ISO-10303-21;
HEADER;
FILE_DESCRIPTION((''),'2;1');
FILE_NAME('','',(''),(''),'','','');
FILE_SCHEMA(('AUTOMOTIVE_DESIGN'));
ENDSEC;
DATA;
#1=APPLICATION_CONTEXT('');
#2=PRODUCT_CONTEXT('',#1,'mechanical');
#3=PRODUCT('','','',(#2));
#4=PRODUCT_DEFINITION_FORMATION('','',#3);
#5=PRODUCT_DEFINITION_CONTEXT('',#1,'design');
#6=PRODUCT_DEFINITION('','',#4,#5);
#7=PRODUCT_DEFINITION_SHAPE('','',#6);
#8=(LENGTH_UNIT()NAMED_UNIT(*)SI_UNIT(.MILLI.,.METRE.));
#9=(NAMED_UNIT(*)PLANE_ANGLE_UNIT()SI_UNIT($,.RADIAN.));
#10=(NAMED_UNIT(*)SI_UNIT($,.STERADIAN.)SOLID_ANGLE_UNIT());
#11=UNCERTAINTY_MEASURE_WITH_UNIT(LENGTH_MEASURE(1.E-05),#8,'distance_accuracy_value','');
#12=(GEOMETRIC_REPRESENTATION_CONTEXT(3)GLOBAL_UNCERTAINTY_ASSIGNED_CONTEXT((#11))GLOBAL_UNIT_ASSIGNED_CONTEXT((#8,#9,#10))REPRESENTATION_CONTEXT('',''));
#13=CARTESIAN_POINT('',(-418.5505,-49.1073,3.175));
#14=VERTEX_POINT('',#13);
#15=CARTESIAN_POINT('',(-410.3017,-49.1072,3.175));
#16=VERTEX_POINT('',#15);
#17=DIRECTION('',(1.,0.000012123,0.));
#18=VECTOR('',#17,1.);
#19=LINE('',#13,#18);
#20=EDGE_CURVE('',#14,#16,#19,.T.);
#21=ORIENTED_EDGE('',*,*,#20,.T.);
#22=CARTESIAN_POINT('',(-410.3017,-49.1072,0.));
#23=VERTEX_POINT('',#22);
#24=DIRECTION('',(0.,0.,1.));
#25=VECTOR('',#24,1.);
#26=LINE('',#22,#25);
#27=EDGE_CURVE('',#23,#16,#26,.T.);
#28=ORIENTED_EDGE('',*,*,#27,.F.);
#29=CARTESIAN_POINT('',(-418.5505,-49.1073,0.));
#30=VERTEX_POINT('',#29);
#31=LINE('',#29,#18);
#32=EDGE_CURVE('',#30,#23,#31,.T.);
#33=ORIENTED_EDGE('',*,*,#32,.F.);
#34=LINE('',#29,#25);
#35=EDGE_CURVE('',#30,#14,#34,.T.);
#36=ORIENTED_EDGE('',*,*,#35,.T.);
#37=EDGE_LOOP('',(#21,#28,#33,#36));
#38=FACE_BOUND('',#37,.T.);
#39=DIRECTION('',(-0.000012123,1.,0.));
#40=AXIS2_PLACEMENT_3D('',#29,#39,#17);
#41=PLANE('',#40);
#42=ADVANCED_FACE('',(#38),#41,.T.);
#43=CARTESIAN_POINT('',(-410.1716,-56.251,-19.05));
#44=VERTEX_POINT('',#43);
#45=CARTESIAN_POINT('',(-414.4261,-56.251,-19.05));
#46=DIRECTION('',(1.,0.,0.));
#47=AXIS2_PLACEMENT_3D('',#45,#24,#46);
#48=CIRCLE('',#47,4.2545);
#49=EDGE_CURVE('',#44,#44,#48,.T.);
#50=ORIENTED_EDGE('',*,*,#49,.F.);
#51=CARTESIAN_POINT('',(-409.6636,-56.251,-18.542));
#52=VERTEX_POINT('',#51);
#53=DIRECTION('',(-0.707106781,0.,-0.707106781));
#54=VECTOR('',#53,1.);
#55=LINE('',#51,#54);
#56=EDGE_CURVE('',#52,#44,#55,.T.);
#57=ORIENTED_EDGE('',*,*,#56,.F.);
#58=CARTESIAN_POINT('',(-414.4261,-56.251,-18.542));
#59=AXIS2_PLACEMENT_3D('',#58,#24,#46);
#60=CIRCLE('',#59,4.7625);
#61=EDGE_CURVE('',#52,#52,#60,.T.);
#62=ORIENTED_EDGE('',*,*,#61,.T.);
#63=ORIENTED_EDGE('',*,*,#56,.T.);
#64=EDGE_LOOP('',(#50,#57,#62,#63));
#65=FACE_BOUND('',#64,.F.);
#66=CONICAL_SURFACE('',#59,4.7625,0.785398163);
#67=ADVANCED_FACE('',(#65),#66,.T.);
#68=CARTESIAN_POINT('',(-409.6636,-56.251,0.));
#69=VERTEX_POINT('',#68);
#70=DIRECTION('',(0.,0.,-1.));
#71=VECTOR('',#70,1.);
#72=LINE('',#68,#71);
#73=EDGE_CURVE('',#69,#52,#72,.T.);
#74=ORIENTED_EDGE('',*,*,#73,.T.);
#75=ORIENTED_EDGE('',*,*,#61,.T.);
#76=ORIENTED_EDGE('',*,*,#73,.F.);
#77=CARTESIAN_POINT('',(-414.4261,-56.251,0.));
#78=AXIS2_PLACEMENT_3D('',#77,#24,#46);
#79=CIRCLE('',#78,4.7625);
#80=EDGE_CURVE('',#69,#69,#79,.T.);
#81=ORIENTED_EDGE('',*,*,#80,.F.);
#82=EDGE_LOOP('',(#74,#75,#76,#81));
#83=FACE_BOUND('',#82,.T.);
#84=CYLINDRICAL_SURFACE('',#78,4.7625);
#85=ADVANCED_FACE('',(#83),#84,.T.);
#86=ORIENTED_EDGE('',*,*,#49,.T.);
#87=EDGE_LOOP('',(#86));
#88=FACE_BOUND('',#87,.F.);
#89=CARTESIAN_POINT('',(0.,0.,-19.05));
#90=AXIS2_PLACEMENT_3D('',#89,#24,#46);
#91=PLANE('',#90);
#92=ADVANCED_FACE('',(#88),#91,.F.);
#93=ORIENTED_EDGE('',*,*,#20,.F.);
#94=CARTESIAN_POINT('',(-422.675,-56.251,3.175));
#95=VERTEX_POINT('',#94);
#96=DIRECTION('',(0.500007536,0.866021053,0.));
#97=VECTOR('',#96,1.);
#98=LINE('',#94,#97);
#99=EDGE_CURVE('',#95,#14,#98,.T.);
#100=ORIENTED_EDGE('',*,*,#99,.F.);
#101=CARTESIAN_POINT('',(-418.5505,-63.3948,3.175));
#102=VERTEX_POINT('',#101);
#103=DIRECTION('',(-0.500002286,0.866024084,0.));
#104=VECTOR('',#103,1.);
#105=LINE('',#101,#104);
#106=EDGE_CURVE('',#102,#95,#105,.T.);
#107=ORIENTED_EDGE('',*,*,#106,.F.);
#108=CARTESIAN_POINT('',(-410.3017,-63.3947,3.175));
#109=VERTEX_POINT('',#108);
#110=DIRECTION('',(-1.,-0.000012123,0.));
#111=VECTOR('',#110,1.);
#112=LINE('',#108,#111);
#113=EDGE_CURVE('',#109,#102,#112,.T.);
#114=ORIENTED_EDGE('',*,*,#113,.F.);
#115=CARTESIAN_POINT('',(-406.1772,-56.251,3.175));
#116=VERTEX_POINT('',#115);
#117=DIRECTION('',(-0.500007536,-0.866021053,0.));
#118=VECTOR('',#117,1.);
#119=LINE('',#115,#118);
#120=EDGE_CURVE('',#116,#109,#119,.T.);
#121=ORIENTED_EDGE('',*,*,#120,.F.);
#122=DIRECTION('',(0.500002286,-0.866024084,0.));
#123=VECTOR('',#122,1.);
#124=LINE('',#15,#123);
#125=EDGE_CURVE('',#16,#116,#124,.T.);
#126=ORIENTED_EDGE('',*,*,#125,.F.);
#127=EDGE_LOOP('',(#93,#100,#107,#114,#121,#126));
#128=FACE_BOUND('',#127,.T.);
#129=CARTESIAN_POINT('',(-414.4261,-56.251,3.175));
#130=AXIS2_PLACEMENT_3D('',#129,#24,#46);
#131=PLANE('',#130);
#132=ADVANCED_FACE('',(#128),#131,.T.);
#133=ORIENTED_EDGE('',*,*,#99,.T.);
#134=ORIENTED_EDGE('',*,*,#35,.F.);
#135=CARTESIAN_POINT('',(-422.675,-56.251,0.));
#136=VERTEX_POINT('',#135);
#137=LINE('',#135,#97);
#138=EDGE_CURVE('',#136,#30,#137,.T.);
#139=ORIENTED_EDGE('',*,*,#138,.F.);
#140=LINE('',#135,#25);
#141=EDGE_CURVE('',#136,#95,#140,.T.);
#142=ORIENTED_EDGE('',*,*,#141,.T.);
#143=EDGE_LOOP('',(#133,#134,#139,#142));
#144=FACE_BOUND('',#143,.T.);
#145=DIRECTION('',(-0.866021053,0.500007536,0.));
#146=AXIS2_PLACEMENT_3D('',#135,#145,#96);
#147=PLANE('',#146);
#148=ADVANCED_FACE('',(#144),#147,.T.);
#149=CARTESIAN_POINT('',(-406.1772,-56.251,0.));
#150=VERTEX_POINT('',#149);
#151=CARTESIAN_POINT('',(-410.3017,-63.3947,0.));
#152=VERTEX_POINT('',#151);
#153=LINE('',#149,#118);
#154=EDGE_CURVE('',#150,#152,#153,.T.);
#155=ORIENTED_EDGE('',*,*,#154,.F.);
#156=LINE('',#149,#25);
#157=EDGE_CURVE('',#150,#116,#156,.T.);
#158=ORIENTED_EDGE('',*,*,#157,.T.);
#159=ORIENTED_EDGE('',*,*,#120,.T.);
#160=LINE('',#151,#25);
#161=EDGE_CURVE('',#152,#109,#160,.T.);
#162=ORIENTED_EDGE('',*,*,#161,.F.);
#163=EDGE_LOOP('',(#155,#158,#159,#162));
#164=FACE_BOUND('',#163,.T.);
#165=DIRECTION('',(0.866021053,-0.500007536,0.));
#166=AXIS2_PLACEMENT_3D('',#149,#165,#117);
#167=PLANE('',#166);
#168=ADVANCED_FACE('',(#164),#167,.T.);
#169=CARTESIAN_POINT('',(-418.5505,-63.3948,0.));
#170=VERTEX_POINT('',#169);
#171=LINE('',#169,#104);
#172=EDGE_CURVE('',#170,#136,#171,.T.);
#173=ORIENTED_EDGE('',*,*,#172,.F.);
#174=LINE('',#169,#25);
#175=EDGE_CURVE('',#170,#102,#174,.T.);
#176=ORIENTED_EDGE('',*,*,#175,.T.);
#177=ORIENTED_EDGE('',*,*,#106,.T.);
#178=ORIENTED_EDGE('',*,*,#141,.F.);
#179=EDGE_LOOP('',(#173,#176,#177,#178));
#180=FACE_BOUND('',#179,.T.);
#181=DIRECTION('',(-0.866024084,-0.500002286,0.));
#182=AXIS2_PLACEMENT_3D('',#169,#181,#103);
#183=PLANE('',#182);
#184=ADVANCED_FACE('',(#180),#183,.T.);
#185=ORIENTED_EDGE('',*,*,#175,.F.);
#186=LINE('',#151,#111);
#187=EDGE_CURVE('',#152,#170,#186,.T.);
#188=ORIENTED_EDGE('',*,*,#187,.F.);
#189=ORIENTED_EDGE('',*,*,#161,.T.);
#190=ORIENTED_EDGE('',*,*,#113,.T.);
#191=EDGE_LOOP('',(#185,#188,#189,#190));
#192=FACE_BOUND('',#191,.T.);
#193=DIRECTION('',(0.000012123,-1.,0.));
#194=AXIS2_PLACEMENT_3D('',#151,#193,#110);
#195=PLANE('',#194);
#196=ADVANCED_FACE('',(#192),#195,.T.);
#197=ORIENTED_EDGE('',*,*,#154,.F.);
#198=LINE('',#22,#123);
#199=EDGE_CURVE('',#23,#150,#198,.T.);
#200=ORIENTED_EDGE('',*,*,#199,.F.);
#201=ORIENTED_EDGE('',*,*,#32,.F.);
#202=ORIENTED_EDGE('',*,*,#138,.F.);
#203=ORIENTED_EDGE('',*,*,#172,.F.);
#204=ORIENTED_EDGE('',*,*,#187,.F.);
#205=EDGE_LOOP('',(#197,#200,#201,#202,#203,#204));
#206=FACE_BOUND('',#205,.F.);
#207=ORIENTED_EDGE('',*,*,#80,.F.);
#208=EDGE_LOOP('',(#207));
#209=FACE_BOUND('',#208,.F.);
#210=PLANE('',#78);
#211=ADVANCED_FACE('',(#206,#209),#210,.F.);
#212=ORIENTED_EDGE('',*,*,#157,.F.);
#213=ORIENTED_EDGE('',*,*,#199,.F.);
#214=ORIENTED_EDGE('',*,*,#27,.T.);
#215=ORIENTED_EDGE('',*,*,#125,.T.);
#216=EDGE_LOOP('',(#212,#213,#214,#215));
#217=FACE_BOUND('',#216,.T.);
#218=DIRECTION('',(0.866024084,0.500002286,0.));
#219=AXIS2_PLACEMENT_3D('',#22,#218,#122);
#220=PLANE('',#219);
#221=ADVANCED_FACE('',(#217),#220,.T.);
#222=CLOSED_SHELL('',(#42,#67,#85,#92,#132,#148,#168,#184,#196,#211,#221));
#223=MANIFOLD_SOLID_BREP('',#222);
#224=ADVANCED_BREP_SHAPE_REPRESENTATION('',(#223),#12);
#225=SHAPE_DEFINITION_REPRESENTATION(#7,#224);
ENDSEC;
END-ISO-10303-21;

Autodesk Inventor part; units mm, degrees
ref_plane "YZ Plane" through (0, 0, 0) normal (1, 0, 0) x (0, 1, 0)
ref_plane "XZ Plane" through (0, 0, 0) normal (0, 1, 0) x (-1, 0, 0)
ref_plane "XY Plane" through (0, 0, 0) normal (0, 0, 1) x (1, 0, 0)
sketch "Sketch1" plane through (0, 0, 0) normal (0, 0, 1) x (1, 0, 0)
  circle A0 centre (-414.4261, -56.251) radius 4.7625
  point P0 (0, 0)
  dimension "d0" = 9.525
extrude "Extrusion1" add sketch "Sketch1" against normal blind 19.05
sketch "Sketch2" plane through (-414.4261, -56.251, 0) normal (0, 0, 1) x (1, 0, 0)
  circle A0 centre (0, 0) radius 4.7625 projected
  line L0 (-8.2489, 0) -> (-4.1244, 7.1437)
  line L1 (-4.1244, 7.1437) -> (4.1244, 7.1438)
  line L2 (4.1244, 7.1438) -> (8.2489, 0)
  line L3 (8.2489, 0) -> (4.1244, -7.1437)
  line L4 (4.1244, -7.1437) -> (-4.1244, -7.1438)
  line L5 (-4.1244, -7.1438) -> (-8.2489, 0)
  point P0 (414.4261, 56.251)
  dimension "d3" = 14.2875
extrude "Extrusion2" add sketch "Sketch2" along normal blind 3.175 contours A0 | L0 L1 L2 L3 L4 L5
thread "Thread1" size "3/8-16 UNC" class "2A" standard "ANSI Unified Screw Threads" full length
chamfer "Chamfer1" distance 0.508 angle 45 1 edges at (-419.1886, -56.251, -19.05)
properties part number "375 bolt x4" material "Steel"
